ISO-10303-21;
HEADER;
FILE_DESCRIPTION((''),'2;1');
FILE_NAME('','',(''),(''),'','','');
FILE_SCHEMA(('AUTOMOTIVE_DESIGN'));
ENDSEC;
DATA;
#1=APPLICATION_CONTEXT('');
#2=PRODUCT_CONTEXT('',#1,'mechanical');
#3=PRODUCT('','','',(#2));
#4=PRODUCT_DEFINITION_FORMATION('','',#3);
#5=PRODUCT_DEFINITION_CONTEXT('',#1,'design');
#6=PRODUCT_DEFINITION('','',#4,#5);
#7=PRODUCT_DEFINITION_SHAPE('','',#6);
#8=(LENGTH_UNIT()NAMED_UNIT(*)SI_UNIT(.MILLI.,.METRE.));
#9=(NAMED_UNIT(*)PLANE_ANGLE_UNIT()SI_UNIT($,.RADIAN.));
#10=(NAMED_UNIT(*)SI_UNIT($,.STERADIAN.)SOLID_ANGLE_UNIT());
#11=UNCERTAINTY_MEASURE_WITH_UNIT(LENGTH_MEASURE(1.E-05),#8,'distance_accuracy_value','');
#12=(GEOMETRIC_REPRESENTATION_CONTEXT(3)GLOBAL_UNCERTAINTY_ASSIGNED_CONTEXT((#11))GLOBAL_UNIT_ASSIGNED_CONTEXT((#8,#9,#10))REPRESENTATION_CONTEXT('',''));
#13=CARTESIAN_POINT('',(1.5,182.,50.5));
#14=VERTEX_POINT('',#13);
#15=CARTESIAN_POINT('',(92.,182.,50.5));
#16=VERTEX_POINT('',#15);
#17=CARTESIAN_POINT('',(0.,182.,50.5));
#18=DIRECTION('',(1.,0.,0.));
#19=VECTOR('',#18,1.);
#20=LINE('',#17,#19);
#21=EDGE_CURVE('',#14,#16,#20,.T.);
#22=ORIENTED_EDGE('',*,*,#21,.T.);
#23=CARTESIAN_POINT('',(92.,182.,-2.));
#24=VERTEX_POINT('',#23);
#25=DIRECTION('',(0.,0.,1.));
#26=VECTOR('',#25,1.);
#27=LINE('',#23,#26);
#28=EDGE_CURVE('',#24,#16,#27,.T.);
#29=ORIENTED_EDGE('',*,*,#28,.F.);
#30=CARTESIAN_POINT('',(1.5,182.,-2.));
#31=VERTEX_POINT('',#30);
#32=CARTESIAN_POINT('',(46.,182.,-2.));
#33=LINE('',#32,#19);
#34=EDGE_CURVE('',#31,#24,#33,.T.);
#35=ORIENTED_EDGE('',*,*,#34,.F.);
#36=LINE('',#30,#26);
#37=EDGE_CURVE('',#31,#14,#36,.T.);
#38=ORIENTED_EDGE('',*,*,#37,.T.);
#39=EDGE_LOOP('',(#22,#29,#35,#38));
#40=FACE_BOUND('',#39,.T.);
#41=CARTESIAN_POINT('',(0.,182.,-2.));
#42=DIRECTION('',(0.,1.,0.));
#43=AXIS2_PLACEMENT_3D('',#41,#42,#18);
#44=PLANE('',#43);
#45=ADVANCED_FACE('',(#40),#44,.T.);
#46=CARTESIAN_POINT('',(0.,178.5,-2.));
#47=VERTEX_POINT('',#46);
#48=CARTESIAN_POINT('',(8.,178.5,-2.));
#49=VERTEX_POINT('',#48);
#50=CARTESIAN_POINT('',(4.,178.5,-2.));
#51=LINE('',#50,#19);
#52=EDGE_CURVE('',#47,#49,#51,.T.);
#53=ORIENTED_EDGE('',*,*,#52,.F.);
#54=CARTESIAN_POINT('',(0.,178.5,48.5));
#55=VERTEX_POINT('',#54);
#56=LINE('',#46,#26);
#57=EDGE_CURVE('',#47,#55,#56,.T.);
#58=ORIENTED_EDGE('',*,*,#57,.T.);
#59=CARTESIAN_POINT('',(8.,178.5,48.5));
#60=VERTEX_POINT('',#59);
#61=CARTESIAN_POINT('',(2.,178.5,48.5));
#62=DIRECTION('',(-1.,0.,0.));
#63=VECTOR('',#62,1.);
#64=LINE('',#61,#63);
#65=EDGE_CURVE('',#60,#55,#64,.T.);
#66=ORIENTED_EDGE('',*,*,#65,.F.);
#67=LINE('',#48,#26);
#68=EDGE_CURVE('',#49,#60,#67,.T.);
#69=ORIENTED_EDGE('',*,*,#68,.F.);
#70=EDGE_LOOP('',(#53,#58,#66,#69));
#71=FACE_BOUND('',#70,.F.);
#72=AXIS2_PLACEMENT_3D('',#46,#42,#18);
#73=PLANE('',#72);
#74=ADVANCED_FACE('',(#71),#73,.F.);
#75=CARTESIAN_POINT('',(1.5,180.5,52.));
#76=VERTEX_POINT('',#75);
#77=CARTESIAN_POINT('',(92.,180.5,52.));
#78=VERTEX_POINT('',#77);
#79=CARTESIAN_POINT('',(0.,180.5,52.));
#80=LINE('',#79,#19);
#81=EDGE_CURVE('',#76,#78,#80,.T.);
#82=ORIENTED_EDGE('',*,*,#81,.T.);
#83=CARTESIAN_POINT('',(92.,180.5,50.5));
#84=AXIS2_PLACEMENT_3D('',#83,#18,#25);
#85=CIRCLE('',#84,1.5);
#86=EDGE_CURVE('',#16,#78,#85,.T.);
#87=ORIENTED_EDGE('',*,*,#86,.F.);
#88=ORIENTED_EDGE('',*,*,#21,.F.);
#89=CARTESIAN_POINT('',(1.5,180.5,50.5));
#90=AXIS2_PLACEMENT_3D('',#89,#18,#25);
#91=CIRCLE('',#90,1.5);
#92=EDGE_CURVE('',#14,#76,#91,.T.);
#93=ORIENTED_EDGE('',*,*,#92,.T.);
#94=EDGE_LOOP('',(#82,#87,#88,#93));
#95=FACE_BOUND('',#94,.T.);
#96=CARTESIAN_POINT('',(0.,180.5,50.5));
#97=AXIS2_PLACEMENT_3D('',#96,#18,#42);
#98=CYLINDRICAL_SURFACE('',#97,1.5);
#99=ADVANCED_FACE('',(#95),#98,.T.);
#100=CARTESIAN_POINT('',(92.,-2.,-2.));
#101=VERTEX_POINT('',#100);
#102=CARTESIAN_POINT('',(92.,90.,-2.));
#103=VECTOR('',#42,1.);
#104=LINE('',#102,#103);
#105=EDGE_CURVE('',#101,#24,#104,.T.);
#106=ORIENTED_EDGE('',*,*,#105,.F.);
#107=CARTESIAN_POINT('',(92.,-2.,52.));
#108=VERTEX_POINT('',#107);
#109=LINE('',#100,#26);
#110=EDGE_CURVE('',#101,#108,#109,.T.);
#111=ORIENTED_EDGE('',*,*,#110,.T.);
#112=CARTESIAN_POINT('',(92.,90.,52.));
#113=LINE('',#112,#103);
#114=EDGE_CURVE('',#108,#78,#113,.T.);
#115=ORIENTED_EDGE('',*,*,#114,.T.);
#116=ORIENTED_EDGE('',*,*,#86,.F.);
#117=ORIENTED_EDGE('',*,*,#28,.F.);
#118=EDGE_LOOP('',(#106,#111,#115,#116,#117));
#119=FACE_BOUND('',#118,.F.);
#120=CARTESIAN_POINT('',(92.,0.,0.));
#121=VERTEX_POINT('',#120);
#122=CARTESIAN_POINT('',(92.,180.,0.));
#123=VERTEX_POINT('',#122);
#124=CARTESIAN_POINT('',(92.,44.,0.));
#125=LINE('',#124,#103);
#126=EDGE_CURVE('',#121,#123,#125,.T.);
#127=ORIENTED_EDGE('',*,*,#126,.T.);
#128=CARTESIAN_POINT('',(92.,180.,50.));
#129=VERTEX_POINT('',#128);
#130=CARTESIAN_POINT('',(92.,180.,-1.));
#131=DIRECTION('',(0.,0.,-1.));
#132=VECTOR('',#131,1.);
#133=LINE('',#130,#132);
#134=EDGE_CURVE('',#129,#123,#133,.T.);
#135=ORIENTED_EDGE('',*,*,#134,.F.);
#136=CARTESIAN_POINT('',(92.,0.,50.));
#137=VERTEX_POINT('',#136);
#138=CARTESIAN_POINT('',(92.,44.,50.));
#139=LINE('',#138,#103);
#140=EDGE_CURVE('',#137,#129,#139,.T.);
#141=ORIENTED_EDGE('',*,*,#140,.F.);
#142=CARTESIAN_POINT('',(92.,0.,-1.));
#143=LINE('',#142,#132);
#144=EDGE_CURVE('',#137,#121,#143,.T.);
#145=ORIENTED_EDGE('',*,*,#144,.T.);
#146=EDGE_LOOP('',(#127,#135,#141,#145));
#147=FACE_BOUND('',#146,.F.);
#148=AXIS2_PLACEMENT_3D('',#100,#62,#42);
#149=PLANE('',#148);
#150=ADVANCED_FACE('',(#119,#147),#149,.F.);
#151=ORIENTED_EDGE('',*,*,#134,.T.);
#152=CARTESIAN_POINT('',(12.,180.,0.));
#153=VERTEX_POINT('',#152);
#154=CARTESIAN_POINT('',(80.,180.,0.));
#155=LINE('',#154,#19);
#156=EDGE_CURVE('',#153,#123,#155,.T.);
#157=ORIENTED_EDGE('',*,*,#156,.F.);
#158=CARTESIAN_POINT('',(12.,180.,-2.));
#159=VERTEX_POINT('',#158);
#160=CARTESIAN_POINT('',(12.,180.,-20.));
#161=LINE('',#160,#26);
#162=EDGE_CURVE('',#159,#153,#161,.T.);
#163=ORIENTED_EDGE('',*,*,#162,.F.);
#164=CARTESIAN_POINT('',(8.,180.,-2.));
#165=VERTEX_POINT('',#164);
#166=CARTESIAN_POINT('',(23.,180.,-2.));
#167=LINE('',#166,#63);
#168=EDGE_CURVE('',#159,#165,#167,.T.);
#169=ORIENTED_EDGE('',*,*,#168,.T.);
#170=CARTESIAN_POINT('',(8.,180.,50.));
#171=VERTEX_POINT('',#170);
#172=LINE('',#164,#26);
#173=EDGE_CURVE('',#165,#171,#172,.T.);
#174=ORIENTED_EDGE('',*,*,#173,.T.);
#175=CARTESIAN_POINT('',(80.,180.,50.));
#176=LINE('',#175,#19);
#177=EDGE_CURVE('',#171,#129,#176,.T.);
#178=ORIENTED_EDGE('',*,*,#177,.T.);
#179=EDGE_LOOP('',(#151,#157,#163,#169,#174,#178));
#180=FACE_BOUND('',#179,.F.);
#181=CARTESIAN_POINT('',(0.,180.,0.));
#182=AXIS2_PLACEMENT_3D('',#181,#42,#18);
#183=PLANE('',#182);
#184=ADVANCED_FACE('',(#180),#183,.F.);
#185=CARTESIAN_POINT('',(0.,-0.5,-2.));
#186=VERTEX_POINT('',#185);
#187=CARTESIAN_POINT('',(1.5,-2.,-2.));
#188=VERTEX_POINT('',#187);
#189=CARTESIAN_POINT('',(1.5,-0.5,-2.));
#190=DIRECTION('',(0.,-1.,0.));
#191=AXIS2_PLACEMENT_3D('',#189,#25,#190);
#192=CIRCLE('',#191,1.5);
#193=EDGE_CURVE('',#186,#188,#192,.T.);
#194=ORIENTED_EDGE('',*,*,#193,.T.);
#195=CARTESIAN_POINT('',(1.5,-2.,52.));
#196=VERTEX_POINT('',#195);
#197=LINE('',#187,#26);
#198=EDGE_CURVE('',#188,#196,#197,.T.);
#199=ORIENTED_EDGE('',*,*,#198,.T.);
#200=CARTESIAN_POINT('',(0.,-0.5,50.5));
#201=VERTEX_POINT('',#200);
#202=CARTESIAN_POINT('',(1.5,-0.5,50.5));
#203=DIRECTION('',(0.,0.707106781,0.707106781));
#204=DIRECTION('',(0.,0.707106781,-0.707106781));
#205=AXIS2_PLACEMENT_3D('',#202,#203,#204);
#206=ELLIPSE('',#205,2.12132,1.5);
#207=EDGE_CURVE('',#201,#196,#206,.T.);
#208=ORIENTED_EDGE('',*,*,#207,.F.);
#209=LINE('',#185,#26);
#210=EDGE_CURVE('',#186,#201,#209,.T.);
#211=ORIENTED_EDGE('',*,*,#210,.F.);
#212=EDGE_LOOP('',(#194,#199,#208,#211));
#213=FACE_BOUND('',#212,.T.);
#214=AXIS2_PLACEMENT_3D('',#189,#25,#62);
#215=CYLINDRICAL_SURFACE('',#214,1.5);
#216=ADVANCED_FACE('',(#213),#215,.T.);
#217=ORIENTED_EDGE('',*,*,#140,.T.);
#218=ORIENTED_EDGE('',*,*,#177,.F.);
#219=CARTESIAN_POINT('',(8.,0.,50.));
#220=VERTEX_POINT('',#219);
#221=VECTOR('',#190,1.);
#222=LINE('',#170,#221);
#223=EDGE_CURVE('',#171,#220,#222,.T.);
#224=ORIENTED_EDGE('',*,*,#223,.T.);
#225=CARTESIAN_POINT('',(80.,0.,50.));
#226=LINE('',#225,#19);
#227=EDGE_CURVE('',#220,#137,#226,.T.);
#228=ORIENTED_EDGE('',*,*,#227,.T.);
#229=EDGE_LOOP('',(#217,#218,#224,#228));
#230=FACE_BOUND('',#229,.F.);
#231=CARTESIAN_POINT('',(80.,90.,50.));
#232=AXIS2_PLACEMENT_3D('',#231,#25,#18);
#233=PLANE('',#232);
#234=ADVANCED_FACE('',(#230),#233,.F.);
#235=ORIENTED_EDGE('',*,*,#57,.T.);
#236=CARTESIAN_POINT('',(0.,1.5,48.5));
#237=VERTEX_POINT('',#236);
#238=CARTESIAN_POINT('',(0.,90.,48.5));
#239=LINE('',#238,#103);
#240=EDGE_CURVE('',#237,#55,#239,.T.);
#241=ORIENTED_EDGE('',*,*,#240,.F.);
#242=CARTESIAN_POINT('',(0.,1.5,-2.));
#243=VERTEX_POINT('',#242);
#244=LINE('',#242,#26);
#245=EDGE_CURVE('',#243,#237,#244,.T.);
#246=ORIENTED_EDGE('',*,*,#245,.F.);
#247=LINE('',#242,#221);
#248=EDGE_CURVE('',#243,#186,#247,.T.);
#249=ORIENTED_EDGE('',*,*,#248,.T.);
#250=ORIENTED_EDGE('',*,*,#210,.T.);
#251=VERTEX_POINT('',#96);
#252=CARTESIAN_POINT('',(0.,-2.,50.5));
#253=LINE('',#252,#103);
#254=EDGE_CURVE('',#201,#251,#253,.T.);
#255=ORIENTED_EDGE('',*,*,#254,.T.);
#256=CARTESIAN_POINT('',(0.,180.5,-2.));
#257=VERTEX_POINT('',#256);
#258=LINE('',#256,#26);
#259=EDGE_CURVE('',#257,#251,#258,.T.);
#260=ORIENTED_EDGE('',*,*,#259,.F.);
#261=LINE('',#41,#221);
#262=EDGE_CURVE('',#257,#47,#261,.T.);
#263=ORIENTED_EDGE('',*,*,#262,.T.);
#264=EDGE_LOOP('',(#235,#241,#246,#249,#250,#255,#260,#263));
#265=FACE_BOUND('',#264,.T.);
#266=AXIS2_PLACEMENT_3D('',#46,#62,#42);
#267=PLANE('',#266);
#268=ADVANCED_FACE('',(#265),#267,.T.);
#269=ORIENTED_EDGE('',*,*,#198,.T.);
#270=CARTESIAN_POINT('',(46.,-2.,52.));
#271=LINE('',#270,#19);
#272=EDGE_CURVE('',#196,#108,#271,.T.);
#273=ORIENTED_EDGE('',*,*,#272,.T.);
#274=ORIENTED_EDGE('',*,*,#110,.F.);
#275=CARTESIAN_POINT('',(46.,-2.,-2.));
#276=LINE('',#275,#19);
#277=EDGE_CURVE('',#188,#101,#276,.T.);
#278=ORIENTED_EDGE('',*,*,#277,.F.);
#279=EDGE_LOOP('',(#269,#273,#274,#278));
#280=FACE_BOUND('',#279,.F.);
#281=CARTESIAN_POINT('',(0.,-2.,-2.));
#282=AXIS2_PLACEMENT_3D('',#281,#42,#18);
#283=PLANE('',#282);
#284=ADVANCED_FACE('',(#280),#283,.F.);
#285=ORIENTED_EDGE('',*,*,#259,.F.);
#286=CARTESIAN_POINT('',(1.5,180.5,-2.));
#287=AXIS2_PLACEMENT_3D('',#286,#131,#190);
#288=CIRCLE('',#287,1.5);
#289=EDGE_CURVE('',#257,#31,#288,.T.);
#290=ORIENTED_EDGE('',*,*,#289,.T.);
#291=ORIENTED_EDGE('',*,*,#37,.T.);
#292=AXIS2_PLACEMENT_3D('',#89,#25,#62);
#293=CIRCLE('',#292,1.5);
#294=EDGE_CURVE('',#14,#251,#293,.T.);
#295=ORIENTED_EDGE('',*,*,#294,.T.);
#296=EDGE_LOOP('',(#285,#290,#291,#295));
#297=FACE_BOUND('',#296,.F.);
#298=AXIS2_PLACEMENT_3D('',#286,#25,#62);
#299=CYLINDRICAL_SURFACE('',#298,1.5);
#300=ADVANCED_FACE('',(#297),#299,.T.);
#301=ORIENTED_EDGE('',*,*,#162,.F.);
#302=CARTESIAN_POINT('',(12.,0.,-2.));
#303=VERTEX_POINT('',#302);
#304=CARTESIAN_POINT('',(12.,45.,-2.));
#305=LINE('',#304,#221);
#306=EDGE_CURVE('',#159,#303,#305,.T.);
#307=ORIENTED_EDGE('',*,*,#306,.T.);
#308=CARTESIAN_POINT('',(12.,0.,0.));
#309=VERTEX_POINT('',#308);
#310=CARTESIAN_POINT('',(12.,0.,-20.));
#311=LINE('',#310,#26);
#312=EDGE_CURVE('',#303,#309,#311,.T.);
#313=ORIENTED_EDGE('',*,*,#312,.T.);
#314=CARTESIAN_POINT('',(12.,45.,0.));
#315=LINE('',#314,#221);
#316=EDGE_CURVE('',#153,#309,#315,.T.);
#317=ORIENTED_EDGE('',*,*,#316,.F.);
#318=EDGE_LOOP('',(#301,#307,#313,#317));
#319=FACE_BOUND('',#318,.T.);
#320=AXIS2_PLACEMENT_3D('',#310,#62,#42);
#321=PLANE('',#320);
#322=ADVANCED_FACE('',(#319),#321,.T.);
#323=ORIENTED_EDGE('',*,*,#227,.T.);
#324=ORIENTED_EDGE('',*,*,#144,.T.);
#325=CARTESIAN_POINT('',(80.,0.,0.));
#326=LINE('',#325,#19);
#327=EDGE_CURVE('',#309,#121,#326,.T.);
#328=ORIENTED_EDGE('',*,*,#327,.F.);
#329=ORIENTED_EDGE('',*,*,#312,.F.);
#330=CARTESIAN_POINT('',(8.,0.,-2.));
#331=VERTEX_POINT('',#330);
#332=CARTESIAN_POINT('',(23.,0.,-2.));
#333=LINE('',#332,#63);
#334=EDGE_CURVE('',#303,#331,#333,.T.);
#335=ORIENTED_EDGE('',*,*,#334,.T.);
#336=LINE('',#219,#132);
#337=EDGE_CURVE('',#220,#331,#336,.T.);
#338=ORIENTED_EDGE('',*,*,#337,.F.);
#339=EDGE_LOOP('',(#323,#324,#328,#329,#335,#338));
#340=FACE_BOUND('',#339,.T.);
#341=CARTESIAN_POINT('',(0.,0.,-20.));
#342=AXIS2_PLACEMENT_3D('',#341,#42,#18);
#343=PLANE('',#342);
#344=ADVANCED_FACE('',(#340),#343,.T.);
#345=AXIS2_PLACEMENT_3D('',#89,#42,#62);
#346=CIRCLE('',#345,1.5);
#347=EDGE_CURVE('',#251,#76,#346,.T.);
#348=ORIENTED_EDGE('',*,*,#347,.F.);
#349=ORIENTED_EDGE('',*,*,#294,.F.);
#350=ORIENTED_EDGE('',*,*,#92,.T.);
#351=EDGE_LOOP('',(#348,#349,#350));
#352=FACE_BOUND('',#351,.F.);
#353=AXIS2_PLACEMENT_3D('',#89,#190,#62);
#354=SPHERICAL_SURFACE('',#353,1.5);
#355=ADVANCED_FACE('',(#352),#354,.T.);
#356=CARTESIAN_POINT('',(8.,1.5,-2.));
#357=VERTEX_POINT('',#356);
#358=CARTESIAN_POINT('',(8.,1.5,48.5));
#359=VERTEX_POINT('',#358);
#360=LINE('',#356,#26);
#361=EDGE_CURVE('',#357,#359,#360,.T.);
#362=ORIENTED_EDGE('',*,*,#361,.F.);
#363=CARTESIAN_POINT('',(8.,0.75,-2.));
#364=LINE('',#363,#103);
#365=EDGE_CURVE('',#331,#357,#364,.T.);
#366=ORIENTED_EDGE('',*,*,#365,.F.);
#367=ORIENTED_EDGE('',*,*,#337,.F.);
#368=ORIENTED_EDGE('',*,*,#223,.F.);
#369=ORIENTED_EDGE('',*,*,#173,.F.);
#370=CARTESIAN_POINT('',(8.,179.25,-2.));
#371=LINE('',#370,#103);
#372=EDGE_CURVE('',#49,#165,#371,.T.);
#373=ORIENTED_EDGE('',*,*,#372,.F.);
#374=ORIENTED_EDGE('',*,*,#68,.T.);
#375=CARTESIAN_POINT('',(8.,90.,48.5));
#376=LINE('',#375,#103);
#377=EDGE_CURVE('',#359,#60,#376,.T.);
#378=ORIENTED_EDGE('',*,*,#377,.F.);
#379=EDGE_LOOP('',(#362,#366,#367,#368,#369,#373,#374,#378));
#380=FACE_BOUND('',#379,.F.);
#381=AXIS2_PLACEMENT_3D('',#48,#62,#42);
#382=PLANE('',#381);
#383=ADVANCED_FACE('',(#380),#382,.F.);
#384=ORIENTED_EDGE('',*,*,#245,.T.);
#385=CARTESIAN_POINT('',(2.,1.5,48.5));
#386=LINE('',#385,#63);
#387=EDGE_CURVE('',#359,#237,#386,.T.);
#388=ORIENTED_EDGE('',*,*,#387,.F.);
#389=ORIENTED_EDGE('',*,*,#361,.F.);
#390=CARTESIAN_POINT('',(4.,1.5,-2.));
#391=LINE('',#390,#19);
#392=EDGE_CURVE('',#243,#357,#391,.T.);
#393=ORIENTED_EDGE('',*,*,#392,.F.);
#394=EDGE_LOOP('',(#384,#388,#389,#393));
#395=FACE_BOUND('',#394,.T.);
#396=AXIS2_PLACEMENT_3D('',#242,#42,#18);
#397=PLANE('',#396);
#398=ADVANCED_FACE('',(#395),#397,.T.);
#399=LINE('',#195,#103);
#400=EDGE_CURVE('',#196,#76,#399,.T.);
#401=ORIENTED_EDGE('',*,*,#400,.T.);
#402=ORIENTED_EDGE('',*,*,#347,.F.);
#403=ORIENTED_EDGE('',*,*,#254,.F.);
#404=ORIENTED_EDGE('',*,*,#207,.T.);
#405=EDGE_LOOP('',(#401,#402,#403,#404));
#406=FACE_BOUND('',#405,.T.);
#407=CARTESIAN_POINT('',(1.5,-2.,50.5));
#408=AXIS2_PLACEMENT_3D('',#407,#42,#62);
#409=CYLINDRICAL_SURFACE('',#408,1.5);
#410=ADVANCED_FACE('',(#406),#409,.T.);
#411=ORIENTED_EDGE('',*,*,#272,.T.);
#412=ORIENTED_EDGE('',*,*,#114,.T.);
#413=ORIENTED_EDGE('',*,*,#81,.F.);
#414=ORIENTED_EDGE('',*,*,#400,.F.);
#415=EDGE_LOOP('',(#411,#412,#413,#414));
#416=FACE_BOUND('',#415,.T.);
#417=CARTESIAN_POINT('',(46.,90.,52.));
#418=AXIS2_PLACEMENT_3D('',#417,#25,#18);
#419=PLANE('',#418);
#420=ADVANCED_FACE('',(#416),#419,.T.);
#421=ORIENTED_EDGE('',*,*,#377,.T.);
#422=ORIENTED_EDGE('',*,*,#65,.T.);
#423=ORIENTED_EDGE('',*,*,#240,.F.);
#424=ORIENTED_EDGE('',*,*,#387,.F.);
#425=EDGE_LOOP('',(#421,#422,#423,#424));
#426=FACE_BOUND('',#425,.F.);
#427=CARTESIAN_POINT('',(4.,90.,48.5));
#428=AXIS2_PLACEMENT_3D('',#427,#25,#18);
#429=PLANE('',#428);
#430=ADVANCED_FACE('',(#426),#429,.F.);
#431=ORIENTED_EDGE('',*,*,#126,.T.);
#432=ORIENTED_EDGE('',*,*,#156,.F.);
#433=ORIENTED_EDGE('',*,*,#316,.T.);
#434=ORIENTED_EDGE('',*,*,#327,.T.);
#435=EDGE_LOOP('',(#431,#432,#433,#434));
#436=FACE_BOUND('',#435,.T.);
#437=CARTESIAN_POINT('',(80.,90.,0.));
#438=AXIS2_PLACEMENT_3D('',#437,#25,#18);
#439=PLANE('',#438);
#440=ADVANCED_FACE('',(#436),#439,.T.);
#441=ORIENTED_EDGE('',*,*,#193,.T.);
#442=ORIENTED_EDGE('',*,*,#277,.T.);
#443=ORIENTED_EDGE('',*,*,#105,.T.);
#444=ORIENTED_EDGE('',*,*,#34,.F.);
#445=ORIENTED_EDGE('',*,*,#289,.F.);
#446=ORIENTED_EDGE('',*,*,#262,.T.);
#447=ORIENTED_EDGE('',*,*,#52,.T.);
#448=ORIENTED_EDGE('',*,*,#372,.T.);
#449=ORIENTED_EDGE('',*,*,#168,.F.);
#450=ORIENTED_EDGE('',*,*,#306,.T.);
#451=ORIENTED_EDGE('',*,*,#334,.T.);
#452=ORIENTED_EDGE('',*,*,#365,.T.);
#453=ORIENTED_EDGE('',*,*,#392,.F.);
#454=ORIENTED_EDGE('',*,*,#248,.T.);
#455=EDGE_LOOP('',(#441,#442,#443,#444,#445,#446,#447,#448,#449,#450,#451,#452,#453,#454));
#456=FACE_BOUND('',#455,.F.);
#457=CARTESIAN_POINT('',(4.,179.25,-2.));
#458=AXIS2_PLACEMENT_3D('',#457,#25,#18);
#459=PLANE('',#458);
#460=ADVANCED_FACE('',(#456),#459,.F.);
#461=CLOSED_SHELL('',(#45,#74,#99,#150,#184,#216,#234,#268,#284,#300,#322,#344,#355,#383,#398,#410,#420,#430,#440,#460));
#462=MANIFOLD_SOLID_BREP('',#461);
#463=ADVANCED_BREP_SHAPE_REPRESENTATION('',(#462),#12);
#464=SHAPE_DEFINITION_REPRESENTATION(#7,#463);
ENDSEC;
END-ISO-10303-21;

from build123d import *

# Parameters (mm, degrees)
BOX003_W     = 8
BOX003_H     = 180
BOX003_DEPTH = 1.5
BOX004_W     = 8
BOX004_H     = 1.5
BOX004_DEPTH = 52
BOX005_W     = 8
BOX005_H     = 1.5
BOX005_DEPTH = 52
BOX002_W     = 12
BOX002_H     = 180
BOX002_DEPTH = 52
BOX_W        = 160
BOX_H        = 180
BOX_DEPTH    = 50
BOX001_W     = 92
BOX001_H     = 184
BOX001_DEPTH = 54
FILLET_R     = 1.5


with BuildPart() as cube003:
    # Box003 → Box003 (new body)
    with BuildSketch(Plane.XY.offset(48.5)):
        with Locations((4, 90)):
            Rectangle(BOX003_W, BOX003_H)
    extrude(amount=BOX003_DEPTH)


with BuildPart() as cube004:
    # Box004 → Box004 (new body)
    with BuildSketch(Plane.XY.offset(-2)):
        with Locations((4, 0.75)):
            Rectangle(BOX004_W, BOX004_H)
    extrude(amount=BOX004_DEPTH)


with BuildPart() as cube005:
    # Box005 → Box005 (new body)
    with BuildSketch(Plane(origin=(0, 178.5, -2), x_dir=(1, 0, 0), z_dir=(0, 0, 1))):
        with Locations((4, 0.75)):
            Rectangle(BOX005_W, BOX005_H)
    extrude(amount=BOX005_DEPTH)


with BuildPart() as cube002:
    # Box002 → Box002 (new body)
    with BuildSketch(Plane.XY.offset(-20)):
        with Locations((6, 90)):
            Rectangle(BOX002_W, BOX002_H)
    extrude(amount=BOX002_DEPTH)


with BuildPart() as cube:
    # Box → Box (new body)
    with BuildSketch(Plane.XY):
        with Locations((80, 90)):
            Rectangle(BOX_W, BOX_H)
    extrude(amount=BOX_DEPTH)


with BuildPart() as draft:
    # Box001 → Box001 (new body)
    with BuildSketch(Plane(origin=(0, -2, -2), x_dir=(1, 0, 0), z_dir=(0, 0, 1))):
        with Locations((46, 92)):
            Rectangle(BOX001_W, BOX001_H)
    extrude(amount=BOX001_DEPTH)

    # Cut: cut Cube
    add(cube.part, mode=Mode.SUBTRACT)

    # Cut001: cut Cube002
    add(cube002.part, mode=Mode.SUBTRACT)

    # Fusion: union Cube003, Cube004, Cube005
    add(cube003.part)
    add(cube004.part)
    add(cube005.part)

    # Fillet
    fillet_edges = [draft.edges().sort_by_distance(p)[0] for p in [
        (0, 90, 52),
        (0, 182, 25),
        (0, -2, 25),
        (46, 182, 52),
    ]]
    fillet(fillet_edges, radius=FILLET_R)


solid = draft.part
